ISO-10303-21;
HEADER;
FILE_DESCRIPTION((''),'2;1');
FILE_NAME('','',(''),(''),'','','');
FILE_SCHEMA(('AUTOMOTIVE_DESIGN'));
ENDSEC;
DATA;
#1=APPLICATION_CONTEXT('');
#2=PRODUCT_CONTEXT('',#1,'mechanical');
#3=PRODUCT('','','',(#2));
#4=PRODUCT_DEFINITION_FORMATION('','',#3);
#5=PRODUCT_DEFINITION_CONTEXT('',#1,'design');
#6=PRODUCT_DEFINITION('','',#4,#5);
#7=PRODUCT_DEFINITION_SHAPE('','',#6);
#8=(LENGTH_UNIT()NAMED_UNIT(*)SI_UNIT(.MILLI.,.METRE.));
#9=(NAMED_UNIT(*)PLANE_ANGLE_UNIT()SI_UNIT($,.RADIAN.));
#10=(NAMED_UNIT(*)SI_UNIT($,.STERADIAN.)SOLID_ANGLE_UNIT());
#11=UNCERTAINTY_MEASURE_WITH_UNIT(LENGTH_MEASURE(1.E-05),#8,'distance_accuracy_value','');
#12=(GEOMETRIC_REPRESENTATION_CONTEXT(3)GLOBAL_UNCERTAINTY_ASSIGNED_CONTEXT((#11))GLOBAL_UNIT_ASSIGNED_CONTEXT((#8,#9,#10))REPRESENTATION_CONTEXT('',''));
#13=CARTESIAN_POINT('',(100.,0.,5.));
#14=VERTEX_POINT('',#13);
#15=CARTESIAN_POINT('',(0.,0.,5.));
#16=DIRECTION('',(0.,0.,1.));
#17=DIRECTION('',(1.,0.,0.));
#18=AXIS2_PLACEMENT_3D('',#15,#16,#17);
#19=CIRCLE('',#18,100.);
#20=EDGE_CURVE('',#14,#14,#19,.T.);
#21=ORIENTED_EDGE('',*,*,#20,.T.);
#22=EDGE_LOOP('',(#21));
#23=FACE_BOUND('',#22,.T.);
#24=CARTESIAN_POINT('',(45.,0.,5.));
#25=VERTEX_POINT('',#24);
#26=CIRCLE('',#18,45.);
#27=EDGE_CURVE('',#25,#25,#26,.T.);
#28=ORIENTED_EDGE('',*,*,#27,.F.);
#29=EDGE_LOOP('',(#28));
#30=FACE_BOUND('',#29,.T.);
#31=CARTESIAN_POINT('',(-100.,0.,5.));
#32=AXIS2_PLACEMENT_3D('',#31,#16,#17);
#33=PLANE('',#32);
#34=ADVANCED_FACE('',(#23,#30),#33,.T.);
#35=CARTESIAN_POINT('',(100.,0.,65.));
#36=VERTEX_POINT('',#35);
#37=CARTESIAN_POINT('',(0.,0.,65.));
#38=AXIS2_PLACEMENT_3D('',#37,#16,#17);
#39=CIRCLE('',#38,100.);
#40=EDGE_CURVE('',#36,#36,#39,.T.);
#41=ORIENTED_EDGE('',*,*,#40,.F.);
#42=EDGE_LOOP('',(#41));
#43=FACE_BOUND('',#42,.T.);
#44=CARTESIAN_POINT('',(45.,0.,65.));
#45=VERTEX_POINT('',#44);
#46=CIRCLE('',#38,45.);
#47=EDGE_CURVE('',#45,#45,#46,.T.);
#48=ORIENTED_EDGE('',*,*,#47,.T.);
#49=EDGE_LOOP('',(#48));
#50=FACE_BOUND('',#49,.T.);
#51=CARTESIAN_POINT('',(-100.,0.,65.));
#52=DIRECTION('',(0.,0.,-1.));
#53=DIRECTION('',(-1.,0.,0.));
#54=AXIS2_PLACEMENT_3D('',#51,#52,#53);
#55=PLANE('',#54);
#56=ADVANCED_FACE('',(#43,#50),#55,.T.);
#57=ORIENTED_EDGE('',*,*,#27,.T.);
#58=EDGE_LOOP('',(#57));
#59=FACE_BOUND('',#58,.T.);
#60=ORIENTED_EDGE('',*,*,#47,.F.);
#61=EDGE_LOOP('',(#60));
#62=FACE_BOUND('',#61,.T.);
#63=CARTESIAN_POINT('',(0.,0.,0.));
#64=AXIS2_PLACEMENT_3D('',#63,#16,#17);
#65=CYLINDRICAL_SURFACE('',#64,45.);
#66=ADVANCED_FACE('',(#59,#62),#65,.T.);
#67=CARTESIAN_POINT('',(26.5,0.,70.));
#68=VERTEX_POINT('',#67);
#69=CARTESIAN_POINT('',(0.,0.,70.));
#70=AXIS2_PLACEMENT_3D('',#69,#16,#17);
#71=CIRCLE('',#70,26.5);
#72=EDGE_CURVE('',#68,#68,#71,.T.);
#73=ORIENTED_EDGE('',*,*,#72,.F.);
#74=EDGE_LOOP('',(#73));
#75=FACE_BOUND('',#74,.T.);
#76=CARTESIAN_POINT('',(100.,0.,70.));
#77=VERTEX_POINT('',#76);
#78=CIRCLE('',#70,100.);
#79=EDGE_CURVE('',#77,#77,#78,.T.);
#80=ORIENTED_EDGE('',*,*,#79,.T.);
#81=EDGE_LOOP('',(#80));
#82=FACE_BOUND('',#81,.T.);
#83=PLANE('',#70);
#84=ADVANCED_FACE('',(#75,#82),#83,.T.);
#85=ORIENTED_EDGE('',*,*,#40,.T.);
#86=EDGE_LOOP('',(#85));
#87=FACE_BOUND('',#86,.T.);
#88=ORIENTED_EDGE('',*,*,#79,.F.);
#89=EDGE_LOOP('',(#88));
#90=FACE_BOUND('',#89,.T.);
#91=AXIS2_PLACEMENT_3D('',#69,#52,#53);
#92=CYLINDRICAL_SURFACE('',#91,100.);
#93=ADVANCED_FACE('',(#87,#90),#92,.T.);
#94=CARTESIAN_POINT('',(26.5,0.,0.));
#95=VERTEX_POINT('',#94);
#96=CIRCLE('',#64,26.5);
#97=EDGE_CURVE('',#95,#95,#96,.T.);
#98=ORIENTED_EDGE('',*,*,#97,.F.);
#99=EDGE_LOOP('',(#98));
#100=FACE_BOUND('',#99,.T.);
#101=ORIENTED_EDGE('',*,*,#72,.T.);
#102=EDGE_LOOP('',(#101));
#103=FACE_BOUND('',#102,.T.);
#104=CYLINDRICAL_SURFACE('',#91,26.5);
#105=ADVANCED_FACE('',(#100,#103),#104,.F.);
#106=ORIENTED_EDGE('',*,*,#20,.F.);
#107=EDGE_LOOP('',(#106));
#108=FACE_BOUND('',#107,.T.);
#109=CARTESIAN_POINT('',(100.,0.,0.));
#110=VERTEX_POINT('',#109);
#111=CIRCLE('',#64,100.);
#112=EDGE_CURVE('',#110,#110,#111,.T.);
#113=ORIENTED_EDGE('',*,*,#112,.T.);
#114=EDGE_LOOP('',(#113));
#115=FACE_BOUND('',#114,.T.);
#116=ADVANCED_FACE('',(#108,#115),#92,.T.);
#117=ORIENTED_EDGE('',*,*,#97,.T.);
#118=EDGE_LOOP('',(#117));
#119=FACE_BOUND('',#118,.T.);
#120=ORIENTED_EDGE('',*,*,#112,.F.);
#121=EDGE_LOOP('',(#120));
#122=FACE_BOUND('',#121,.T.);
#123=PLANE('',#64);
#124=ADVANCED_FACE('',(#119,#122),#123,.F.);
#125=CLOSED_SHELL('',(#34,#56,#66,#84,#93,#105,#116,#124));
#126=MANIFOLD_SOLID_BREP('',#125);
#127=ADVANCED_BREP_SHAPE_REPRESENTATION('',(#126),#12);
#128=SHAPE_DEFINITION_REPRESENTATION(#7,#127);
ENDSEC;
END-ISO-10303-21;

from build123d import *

# Parameters (mm, degrees)
SKETCH1_R           = 100
SKETCH1_R_2         = 26.5
BOSS_EXTRUDE1_DEPTH = 70
SKETCH2_W           = 55
SKETCH2_H           = 60


with BuildPart() as part:
    # Sketch1 → Boss-Extrude1 (new body)
    with BuildSketch(Plane.XY):
        Circle(SKETCH1_R)
        Circle(SKETCH1_R_2, mode=Mode.SUBTRACT)
    extrude(amount=BOSS_EXTRUDE1_DEPTH)

    # Sketch2 → Cut-Revolve1 (revolve, cut)
    with BuildSketch(Plane(origin=(0, 0, 0), x_dir=(1, 0, 0), z_dir=(0, 1, 0)), mode=Mode.PRIVATE) as cut_revolve1_sk:
        with Locations((-72.5, -35)):
            Rectangle(SKETCH2_W, SKETCH2_H)
    revolve(cut_revolve1_sk.sketch.rotate(Axis((0, 0, 0), (0, 0, -1)), 180), axis=Axis((0, 0, 0), (0, 0, -1)), mode=Mode.SUBTRACT)


solid = part.part
